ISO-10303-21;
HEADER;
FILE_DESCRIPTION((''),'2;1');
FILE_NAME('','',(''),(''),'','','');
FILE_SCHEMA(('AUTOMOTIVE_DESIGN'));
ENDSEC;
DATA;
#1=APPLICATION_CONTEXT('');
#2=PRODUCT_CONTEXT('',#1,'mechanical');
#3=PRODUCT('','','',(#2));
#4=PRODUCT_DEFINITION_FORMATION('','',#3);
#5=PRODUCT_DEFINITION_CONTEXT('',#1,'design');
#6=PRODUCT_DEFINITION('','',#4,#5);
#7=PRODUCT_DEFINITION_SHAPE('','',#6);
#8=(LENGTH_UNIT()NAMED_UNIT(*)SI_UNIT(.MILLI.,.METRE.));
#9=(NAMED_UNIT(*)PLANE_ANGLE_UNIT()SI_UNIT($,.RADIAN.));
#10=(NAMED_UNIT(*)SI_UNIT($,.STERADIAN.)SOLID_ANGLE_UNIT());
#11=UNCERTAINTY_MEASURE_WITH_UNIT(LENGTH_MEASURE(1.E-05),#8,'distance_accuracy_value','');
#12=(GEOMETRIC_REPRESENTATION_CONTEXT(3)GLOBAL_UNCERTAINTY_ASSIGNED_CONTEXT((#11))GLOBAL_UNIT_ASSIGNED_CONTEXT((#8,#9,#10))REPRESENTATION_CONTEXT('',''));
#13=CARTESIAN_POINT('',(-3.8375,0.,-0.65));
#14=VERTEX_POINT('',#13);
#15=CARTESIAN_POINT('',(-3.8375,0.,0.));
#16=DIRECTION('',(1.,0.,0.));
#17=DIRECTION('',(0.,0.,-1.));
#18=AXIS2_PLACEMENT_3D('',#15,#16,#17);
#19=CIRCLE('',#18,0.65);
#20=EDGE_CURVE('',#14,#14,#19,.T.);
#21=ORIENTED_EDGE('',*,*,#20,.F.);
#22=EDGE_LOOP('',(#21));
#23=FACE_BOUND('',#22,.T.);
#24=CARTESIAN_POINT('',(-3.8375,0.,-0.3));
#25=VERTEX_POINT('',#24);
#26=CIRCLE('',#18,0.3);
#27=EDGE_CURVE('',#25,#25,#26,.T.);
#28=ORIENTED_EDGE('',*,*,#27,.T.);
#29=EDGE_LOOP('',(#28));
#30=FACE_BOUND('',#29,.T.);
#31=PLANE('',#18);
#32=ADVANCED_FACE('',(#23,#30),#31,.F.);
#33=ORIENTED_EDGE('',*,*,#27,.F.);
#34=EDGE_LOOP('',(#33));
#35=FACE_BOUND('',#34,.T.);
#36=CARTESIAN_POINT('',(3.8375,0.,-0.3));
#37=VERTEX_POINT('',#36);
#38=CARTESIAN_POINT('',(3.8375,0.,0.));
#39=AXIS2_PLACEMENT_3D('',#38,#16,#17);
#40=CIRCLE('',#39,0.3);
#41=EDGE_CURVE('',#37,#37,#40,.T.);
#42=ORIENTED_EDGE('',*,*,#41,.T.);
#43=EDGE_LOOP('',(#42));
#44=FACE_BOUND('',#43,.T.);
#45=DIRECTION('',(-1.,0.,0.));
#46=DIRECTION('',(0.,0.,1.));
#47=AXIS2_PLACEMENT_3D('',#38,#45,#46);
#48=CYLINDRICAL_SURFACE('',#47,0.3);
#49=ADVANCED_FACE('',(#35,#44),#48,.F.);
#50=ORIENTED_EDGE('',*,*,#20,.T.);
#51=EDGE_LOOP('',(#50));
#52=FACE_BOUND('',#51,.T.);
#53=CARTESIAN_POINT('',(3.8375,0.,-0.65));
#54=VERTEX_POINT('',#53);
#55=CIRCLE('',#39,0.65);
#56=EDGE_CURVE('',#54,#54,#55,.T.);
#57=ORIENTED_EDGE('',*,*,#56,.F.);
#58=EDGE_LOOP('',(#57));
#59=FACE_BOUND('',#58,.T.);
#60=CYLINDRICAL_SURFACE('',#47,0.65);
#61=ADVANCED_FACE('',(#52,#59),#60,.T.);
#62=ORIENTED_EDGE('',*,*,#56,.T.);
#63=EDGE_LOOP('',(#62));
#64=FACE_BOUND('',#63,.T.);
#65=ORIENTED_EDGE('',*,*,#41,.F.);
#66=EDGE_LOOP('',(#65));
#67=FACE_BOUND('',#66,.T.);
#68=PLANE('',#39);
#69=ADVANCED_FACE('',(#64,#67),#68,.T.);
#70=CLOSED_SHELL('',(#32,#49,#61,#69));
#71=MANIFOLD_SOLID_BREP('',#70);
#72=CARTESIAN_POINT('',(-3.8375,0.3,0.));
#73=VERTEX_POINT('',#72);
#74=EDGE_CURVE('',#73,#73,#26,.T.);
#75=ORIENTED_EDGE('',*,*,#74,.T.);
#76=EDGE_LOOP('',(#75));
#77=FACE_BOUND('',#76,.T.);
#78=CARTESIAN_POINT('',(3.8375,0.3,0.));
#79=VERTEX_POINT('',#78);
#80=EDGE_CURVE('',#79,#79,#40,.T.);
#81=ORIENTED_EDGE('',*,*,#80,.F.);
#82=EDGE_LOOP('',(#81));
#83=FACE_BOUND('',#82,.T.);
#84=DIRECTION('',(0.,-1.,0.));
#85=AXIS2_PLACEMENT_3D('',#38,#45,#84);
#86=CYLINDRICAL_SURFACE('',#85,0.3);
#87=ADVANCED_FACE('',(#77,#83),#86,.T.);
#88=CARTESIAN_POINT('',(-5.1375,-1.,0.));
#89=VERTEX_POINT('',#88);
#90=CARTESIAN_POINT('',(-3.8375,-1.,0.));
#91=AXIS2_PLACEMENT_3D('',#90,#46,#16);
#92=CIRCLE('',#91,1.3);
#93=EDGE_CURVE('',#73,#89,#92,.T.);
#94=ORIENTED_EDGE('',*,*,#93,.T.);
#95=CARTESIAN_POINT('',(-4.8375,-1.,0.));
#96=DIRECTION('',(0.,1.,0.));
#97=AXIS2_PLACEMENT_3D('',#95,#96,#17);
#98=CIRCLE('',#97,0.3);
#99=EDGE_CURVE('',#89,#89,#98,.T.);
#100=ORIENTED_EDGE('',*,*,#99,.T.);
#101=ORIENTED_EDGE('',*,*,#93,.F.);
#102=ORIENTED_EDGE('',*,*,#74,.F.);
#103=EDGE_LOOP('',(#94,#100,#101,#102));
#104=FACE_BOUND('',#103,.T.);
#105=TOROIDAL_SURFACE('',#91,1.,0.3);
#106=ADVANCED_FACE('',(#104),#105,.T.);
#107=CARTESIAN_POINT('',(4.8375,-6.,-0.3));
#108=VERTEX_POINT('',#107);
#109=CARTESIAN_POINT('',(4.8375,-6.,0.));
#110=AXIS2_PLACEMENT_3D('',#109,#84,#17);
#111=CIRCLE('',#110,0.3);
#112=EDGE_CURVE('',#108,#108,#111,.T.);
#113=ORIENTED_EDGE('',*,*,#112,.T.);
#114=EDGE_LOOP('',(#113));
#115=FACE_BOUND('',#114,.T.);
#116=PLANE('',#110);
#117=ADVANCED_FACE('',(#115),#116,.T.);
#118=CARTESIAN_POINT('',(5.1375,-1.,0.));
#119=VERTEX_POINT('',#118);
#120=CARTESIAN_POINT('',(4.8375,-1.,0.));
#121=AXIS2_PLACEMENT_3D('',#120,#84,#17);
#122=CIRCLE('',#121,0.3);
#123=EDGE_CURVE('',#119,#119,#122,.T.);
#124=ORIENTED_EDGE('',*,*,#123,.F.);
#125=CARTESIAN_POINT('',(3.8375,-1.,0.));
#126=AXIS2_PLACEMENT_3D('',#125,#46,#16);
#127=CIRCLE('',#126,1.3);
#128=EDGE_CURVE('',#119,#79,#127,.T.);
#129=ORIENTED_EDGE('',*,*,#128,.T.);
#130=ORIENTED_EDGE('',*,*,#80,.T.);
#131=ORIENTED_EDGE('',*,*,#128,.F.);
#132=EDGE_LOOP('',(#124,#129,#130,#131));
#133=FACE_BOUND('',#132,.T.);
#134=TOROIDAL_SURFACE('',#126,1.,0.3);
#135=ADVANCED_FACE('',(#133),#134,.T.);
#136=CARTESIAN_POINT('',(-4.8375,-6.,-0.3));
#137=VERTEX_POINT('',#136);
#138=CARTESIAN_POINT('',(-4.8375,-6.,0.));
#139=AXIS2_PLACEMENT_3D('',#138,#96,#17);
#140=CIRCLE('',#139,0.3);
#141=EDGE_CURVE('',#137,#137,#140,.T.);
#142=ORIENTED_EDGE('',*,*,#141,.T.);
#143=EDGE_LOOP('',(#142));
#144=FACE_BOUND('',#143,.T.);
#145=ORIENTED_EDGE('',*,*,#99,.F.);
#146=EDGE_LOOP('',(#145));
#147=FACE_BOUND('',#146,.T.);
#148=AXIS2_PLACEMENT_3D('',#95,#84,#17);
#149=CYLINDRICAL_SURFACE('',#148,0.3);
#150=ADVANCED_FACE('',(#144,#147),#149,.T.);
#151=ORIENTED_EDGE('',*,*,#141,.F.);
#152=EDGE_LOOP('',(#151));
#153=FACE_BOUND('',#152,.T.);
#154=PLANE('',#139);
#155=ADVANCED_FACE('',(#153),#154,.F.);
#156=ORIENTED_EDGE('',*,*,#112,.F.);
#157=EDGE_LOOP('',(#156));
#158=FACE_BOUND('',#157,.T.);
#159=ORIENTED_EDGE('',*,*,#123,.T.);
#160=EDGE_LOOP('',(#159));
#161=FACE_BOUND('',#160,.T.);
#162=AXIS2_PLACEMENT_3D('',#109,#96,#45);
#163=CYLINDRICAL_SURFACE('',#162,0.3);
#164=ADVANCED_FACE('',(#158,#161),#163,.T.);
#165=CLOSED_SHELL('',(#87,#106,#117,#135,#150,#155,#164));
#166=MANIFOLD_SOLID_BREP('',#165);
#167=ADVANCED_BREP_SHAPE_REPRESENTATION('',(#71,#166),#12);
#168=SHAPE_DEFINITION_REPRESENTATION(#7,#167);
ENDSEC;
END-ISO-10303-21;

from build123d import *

# Parameters (mm, degrees)
SKETCH2_R                = 0.3
SKETCH3_R                = 0.65
SKETCH3_R_2              = 0.3
BOSS_EXTRUDE1_DEPTH      = 3.8375
BOSS_EXTRUDE1_DEPTH_BACK = 3.8375


with BuildPart() as part:
    # Sweep1: sweep along a path in Sketch1
    with BuildLine(Plane.XY) as sweep1_path:
        Line((-4.8375, -6), (-4.8375, -1))
        ThreePointArc((-4.8375, -1), (-4.544606781, -0.292893219), (-3.8375, 0))
        Line((-3.8375, 0), (3.8375, 0))
        ThreePointArc((3.8375, 0), (4.544606781, -0.292893219), (4.8375, -1))
        Line((4.8375, -1), (4.8375, -6))
    # Sketch2 → Sweep1 (sweep)
    with BuildSketch(Plane(origin=(0, 0, 0), x_dir=(0, 0, -1), z_dir=(1, 0, 0))):
        Circle(SKETCH2_R)
    sweep(path=sweep1_path.line)


with BuildPart() as body_2:
    # Sketch3 → Boss-Extrude1 (new body, two sides)
    with BuildSketch(Plane(origin=(0, 0, 0), x_dir=(0, 0, -1), z_dir=(1, 0, 0))) as boss_extrude1_sk:
        Circle(SKETCH3_R)
        Circle(SKETCH3_R_2, mode=Mode.SUBTRACT)
    extrude(amount=BOSS_EXTRUDE1_DEPTH)
    extrude(boss_extrude1_sk.sketch, amount=-BOSS_EXTRUDE1_DEPTH_BACK)


solid = Compound([part.part, body_2.part])
